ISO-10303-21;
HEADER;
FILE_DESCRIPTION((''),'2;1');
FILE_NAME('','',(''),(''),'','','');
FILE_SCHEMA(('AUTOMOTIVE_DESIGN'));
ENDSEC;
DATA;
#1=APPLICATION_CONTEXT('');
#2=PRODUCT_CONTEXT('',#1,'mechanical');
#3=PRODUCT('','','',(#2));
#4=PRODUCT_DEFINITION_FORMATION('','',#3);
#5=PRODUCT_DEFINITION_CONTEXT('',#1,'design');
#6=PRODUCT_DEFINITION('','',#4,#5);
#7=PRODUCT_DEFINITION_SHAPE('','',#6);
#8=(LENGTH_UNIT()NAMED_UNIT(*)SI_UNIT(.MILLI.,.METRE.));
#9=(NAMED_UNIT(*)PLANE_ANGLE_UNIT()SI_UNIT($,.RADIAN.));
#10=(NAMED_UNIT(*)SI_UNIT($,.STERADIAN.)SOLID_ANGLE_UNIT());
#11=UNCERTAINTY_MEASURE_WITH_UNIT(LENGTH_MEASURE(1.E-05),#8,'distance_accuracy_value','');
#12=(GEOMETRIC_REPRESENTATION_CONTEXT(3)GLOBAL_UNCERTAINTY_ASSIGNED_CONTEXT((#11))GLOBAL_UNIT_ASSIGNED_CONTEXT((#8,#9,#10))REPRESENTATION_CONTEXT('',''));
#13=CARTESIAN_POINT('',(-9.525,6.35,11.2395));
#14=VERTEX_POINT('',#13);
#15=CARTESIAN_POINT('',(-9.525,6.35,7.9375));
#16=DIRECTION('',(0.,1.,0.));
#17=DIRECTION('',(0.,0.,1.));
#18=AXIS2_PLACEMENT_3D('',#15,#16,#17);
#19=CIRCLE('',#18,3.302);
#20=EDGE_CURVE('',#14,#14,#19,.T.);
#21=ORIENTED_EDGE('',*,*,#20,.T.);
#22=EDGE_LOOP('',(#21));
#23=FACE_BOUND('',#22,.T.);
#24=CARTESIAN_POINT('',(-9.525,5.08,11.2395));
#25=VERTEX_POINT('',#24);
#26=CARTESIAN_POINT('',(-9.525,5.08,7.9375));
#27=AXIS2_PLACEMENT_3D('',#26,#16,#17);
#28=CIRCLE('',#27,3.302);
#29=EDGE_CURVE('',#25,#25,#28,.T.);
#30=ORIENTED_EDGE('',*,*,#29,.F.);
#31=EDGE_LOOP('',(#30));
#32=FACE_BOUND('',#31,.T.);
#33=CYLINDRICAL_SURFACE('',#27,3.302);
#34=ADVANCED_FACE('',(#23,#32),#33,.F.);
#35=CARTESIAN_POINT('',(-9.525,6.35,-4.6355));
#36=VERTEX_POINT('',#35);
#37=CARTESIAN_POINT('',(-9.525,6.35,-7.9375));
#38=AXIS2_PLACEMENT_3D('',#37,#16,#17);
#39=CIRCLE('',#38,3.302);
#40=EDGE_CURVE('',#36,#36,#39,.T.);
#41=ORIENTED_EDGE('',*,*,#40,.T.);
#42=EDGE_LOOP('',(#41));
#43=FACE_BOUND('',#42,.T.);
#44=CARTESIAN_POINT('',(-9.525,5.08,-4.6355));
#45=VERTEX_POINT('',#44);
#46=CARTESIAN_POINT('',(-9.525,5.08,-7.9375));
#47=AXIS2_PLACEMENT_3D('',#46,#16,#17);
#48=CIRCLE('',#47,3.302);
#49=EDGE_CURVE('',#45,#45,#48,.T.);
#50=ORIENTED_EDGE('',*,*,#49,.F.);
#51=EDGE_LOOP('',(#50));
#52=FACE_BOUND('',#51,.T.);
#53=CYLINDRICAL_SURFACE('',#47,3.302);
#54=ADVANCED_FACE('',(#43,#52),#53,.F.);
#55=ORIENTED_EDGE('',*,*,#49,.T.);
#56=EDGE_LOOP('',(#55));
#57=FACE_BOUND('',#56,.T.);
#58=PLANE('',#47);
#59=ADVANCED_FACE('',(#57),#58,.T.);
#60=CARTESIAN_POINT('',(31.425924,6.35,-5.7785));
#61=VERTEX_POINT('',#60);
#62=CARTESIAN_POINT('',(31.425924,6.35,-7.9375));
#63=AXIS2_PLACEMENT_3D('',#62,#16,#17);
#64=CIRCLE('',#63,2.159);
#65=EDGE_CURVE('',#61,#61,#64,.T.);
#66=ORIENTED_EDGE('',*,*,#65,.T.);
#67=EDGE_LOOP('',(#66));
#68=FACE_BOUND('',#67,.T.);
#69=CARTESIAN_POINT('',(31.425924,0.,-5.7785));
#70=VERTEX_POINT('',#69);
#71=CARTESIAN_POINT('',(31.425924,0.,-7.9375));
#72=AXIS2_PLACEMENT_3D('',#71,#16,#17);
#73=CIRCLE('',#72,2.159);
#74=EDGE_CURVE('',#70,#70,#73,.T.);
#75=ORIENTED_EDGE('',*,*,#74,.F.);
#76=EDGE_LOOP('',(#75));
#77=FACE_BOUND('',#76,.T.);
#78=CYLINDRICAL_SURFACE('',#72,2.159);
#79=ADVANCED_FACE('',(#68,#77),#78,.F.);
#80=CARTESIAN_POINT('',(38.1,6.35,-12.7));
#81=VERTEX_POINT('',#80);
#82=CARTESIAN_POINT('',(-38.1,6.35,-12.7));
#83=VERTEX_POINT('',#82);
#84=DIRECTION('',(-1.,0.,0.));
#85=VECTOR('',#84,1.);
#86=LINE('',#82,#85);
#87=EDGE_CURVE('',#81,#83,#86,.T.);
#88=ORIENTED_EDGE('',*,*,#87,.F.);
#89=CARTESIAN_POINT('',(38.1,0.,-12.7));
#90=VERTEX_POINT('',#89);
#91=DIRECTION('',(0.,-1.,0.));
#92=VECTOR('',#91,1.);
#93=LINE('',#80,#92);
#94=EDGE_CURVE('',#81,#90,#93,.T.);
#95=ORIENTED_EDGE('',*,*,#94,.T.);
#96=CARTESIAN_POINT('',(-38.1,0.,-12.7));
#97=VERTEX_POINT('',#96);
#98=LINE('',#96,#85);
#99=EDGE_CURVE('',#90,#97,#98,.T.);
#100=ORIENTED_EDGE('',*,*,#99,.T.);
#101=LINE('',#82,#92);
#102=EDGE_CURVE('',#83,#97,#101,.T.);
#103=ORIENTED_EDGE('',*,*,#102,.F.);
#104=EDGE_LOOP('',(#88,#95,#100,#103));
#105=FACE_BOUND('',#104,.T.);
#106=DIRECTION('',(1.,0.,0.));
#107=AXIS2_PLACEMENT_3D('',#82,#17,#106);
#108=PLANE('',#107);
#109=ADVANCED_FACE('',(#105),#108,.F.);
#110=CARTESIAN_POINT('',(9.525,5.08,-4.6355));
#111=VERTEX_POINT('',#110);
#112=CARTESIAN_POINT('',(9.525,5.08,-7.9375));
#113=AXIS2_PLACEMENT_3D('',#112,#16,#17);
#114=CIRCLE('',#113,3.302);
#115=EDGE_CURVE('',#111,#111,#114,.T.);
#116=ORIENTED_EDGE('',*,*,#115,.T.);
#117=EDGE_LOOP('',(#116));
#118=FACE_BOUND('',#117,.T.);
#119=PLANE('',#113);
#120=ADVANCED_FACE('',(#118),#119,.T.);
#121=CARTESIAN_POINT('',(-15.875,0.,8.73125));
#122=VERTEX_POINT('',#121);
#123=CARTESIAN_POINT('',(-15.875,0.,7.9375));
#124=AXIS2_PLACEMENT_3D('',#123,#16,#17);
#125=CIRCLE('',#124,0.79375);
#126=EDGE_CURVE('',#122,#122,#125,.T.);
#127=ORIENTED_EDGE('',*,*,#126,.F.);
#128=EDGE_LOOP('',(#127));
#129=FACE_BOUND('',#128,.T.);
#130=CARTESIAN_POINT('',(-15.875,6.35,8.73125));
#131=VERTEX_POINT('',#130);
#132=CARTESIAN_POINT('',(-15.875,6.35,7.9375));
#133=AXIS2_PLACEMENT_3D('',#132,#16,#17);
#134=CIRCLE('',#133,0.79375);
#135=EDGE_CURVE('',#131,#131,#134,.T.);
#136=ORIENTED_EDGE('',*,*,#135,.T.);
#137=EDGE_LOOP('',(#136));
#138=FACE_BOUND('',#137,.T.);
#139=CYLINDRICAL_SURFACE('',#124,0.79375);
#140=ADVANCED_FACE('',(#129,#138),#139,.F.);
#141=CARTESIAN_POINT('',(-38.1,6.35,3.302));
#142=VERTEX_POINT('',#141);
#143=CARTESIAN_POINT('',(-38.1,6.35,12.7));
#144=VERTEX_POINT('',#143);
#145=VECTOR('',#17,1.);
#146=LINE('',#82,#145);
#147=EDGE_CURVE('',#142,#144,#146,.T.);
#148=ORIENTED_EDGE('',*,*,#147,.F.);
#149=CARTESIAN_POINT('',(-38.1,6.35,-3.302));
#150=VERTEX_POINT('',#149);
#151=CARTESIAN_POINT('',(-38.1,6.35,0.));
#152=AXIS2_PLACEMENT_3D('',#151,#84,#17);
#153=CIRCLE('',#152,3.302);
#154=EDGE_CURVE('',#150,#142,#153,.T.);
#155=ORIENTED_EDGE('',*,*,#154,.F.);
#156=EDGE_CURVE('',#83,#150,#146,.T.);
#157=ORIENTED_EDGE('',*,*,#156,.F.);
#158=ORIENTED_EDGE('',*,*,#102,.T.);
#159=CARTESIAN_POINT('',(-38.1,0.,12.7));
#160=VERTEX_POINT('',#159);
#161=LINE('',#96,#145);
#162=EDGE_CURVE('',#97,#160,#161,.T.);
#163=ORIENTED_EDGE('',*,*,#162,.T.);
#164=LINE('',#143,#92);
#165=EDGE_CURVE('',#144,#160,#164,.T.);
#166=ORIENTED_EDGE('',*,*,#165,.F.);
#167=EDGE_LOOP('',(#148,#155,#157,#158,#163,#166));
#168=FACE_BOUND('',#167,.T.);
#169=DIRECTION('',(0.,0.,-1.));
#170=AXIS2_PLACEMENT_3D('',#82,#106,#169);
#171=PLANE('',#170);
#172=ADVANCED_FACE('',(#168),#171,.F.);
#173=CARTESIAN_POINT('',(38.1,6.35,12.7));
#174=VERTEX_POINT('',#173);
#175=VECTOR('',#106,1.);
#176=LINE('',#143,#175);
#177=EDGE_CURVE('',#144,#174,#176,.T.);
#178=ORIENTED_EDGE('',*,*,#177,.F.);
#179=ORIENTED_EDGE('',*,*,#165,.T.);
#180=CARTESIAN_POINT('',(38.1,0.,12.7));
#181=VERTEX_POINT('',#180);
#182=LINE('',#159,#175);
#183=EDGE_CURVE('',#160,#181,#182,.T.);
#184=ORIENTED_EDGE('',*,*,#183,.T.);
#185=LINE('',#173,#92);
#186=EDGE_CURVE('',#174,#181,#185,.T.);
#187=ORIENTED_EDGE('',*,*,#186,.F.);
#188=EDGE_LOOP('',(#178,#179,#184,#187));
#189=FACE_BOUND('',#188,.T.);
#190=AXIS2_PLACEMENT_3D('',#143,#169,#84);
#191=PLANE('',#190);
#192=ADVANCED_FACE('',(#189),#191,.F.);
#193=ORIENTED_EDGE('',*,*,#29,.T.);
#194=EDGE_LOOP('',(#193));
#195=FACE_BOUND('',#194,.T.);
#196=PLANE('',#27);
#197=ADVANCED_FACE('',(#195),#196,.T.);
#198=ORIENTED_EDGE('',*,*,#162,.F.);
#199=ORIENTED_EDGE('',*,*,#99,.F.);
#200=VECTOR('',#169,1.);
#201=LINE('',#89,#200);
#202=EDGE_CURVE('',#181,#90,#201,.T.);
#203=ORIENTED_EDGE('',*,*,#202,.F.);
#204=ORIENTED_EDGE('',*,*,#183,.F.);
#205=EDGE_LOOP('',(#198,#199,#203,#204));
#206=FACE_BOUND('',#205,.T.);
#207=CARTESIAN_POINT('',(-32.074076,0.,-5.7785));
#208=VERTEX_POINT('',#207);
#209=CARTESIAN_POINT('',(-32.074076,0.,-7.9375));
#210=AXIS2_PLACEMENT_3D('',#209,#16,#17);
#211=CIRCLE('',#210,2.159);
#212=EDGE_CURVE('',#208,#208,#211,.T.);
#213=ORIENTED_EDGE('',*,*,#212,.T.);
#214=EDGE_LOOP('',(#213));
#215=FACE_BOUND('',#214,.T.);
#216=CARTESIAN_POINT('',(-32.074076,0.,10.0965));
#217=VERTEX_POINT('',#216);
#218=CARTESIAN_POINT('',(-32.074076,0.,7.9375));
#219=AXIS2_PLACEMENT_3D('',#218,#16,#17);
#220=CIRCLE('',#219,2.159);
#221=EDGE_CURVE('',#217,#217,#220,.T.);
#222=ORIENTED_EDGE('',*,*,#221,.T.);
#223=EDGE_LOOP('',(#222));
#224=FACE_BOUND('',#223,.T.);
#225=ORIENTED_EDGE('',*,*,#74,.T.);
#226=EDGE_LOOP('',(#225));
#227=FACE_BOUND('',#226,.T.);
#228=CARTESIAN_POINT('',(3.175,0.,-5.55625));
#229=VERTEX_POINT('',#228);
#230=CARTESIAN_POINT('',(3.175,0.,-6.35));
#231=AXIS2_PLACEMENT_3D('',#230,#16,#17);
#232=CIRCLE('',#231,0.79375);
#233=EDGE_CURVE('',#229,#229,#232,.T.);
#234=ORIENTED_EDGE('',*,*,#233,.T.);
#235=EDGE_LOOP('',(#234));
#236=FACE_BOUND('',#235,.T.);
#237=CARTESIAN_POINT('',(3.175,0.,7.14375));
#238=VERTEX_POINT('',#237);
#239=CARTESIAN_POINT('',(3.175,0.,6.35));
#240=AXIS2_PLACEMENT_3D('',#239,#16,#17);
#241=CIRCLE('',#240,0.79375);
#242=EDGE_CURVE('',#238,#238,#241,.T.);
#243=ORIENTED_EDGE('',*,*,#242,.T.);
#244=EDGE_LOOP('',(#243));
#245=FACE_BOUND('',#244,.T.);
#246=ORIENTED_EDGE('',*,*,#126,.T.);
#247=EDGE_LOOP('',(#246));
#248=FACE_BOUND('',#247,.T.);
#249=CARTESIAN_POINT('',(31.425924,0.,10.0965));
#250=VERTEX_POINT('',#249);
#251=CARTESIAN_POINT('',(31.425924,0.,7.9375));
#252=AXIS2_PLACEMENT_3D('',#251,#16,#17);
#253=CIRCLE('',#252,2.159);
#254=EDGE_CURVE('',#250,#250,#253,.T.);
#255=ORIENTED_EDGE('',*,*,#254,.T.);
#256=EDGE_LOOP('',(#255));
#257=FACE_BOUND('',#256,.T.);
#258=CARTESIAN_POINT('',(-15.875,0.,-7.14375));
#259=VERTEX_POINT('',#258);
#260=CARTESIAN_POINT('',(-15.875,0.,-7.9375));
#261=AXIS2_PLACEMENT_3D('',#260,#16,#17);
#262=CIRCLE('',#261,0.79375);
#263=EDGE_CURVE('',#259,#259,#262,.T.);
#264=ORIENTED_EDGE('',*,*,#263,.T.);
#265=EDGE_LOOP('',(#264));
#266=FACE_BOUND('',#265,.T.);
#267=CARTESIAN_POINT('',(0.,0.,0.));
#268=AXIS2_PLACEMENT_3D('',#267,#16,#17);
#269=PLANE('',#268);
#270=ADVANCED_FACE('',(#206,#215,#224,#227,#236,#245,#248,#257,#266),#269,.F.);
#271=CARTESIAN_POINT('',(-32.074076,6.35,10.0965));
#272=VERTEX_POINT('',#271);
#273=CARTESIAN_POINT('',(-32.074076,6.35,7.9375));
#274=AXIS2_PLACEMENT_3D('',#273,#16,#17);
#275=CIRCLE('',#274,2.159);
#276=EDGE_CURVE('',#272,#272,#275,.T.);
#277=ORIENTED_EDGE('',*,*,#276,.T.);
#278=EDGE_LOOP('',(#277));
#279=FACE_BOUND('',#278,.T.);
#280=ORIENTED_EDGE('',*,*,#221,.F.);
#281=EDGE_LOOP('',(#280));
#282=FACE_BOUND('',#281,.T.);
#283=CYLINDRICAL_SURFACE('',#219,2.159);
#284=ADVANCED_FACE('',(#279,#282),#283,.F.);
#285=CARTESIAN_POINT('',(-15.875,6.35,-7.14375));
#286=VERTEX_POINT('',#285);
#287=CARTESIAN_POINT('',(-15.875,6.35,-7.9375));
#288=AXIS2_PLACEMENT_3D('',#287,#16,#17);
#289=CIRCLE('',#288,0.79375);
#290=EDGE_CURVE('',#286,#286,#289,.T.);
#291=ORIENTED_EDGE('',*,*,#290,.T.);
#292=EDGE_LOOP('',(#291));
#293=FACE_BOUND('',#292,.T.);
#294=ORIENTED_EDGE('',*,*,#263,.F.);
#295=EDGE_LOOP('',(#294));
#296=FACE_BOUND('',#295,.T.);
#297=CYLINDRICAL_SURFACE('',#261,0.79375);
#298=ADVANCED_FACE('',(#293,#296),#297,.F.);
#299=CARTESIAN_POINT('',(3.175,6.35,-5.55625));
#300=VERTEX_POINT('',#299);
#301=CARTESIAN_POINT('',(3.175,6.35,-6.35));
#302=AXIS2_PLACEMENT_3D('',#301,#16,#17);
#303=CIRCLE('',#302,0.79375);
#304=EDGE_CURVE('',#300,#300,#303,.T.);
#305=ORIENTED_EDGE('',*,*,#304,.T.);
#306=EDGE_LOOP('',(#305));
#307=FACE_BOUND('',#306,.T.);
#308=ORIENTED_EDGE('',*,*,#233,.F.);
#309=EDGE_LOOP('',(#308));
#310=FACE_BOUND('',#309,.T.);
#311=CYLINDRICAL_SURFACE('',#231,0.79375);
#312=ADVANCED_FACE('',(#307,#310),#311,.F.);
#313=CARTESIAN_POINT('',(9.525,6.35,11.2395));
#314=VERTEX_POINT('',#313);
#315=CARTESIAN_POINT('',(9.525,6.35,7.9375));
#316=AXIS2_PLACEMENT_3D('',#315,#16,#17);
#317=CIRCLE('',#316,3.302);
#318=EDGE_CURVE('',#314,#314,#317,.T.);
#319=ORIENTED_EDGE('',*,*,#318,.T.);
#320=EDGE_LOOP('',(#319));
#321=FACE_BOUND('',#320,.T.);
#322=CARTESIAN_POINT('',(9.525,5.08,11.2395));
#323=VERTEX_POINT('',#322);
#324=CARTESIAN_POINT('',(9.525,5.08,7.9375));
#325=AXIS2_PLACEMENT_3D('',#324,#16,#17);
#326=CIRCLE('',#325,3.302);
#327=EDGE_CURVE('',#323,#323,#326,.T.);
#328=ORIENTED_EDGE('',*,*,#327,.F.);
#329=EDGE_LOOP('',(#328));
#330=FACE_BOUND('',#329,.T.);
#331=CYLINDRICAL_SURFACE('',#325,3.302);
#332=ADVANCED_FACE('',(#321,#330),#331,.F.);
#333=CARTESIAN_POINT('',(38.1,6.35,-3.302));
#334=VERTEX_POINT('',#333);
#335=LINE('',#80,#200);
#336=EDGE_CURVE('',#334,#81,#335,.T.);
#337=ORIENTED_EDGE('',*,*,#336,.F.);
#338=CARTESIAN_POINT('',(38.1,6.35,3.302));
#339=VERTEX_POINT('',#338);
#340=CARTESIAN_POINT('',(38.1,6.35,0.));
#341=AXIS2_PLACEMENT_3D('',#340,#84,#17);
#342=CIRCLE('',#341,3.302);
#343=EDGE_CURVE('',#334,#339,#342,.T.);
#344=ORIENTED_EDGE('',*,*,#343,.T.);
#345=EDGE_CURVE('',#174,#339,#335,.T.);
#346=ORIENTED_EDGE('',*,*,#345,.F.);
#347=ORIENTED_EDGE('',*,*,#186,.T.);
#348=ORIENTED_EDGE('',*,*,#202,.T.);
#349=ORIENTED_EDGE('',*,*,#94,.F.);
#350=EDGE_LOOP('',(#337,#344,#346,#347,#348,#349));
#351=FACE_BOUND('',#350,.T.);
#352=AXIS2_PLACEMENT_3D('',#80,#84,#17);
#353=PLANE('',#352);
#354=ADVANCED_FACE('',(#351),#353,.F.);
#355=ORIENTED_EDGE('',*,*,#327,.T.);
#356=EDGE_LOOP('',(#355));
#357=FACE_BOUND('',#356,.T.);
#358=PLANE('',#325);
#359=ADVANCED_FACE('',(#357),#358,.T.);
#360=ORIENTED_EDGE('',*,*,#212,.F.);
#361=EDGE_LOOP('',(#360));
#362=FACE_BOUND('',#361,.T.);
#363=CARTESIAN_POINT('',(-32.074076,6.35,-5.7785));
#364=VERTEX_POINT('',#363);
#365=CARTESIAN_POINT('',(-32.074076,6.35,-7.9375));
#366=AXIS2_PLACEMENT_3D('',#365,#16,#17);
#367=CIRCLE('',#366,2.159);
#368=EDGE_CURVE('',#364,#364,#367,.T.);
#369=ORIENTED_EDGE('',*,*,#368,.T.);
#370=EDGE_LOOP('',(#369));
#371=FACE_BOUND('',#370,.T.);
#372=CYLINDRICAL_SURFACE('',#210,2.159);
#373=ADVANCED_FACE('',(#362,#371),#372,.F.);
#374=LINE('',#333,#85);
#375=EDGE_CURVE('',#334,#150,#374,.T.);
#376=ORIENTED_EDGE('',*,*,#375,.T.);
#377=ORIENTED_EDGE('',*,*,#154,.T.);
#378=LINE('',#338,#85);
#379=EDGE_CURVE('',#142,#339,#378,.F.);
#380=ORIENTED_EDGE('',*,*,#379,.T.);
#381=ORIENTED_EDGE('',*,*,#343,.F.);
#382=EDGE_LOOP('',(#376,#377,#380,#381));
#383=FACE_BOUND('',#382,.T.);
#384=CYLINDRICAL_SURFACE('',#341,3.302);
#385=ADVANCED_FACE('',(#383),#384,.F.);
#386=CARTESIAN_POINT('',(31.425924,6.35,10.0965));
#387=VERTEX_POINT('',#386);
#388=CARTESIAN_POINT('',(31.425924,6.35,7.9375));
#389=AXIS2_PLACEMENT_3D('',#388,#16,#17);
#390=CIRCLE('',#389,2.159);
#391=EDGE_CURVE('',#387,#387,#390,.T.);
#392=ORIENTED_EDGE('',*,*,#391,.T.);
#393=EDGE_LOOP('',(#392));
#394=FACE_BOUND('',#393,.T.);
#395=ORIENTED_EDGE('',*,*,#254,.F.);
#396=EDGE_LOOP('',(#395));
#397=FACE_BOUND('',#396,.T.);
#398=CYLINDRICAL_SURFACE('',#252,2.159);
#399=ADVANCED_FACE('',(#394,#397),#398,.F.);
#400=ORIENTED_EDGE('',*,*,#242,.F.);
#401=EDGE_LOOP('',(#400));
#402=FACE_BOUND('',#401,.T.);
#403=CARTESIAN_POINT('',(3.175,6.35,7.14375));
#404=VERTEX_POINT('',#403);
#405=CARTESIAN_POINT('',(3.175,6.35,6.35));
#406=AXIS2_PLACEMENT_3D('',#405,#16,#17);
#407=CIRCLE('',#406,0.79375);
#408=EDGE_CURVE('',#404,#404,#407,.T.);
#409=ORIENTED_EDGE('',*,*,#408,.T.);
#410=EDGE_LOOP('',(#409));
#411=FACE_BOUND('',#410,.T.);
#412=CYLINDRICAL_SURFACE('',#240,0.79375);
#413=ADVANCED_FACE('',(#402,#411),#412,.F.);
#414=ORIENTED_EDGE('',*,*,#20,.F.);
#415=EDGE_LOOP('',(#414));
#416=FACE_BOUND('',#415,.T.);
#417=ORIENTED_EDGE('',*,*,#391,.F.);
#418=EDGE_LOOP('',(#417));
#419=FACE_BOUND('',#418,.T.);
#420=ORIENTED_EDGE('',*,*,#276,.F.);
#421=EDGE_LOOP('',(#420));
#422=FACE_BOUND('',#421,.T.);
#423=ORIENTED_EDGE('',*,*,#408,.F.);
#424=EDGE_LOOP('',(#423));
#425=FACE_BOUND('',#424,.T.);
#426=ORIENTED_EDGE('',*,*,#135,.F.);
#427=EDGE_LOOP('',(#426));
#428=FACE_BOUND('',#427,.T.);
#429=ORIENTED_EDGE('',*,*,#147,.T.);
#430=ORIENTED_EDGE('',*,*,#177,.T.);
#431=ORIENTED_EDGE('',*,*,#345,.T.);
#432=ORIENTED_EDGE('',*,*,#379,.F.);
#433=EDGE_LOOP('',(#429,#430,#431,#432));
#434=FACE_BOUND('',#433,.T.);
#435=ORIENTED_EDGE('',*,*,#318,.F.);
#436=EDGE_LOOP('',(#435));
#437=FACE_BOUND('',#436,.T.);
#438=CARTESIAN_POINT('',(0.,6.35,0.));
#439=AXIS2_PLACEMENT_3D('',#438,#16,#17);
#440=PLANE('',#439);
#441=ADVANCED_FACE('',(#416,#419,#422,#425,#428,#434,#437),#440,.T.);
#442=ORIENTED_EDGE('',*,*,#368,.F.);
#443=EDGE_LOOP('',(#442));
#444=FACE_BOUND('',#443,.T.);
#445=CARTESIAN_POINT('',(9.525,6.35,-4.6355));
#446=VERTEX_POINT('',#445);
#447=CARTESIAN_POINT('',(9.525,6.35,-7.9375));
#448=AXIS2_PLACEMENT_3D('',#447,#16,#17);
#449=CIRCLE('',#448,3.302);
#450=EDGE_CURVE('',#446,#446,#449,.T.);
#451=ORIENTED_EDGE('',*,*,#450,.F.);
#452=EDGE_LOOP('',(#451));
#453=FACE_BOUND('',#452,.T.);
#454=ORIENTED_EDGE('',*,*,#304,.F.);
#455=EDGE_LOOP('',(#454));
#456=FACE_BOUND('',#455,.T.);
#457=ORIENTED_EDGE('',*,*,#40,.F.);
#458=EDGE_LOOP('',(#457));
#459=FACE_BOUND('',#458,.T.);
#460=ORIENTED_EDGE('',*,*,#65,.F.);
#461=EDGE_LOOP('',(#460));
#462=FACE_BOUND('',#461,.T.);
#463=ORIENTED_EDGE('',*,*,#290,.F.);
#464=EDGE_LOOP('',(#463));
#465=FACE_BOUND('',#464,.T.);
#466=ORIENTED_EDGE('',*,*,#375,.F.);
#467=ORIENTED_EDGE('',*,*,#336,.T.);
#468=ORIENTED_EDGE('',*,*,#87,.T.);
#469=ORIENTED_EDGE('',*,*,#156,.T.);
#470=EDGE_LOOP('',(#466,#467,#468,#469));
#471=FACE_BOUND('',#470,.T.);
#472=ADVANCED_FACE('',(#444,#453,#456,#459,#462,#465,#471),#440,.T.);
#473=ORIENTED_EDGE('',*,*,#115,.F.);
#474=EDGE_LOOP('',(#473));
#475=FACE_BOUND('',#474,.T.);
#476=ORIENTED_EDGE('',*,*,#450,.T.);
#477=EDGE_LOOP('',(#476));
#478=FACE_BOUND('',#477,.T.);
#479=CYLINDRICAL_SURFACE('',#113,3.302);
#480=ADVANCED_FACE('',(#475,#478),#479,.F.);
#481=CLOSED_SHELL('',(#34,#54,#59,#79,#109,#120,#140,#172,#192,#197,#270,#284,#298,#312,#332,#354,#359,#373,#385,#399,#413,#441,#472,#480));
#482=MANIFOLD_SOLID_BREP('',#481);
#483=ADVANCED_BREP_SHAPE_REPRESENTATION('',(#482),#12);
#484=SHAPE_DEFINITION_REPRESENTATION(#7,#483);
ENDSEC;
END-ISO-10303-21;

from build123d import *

# Parameters (mm, degrees)
SKETCH1_W           = 76.2
SKETCH1_H           = 25.4
BOSS_EXTRUDE1_DEPTH = 6.35
SKETCH2_R           = 2.159
CUT_EXTRUDE1_DEPTH  = 41.659838908
SKETCH3_R           = 3.302
CUT_EXTRUDE2_DEPTH  = 1.27
SKETCH4_R           = 0.79375
CUT_EXTRUDE3_DEPTH  = 41.659838908
SKETCH5_R           = 3.302
CUT_EXTRUDE4_DEPTH  = 78.51162816


with BuildPart() as part:
    # Sketch1 → Boss-Extrude1 (new body)
    with BuildSketch(Plane(origin=(0, 0, 0), x_dir=(1, 0, 0), z_dir=(0, 1, 0))):
        Rectangle(SKETCH1_W, SKETCH1_H)
    extrude(amount=BOSS_EXTRUDE1_DEPTH)

    # Sketch2 → Cut-Extrude1 (cut, through all)
    with BuildSketch(Plane(origin=(0, 6.35, 0), x_dir=(1, 0, 0), z_dir=(0, 1, 0))):
        with Locations(Location((-32.074075882, 7.9375, 0), (0, 0, 270))):
            Circle(SKETCH2_R)
        with Locations(Location((-32.074075882, -7.9375, 0), (0, 0, 270))):
            Circle(SKETCH2_R)
        with Locations(Location((31.425924118, 7.9375, 0), (0, 0, 270))):
            Circle(SKETCH2_R)
        with Locations(Location((31.425924118, -7.9375, 0), (0, 0, 270))):
            Circle(SKETCH2_R)
    extrude(amount=-CUT_EXTRUDE1_DEPTH, mode=Mode.SUBTRACT)

    # Sketch3 → Cut-Extrude2 (cut)
    with BuildSketch(Plane(origin=(0, 6.35, 0), x_dir=(1, 0, 0), z_dir=(0, 1, 0))):
        with Locations(Location((-9.525, 7.9375, 0), (0, 0, 270))):
            Circle(SKETCH3_R)
        with Locations(Location((-9.525, -7.9375, 0), (0, 0, 270))):
            Circle(SKETCH3_R)
        with Locations(Location((9.525, -7.9375, 0), (0, 0, 270))):
            Circle(SKETCH3_R)
        with Locations(Location((9.525, 7.9375, 0), (0, 0, 270))):
            Circle(SKETCH3_R)
    extrude(amount=-CUT_EXTRUDE2_DEPTH, mode=Mode.SUBTRACT)

    # Sketch4 → Cut-Extrude3 (cut, through all)
    with BuildSketch(Plane(origin=(0, 6.35, 0), x_dir=(1, 0, 0), z_dir=(0, 1, 0))):
        with Locations(Location((-15.875, 7.9375, 0), (0, 0, 270))):
            Circle(SKETCH4_R)
        with Locations(Location((-15.875, -7.9375, 0), (0, 0, 270))):
            Circle(SKETCH4_R)
        with Locations(Location((3.175, 6.35, 0), (0, 0, 270))):
            Circle(SKETCH4_R)
        with Locations(Location((3.175, -6.35, 0), (0, 0, 270))):
            Circle(SKETCH4_R)
    extrude(amount=-CUT_EXTRUDE3_DEPTH, mode=Mode.SUBTRACT)

    # Sketch5 → Cut-Extrude4 (cut, through all)
    with BuildSketch(Plane.ZY.offset(38.1)):
        with Locations((0, 6.35)):
            Circle(SKETCH5_R)
    extrude(amount=-CUT_EXTRUDE4_DEPTH, mode=Mode.SUBTRACT)


solid = part.part
